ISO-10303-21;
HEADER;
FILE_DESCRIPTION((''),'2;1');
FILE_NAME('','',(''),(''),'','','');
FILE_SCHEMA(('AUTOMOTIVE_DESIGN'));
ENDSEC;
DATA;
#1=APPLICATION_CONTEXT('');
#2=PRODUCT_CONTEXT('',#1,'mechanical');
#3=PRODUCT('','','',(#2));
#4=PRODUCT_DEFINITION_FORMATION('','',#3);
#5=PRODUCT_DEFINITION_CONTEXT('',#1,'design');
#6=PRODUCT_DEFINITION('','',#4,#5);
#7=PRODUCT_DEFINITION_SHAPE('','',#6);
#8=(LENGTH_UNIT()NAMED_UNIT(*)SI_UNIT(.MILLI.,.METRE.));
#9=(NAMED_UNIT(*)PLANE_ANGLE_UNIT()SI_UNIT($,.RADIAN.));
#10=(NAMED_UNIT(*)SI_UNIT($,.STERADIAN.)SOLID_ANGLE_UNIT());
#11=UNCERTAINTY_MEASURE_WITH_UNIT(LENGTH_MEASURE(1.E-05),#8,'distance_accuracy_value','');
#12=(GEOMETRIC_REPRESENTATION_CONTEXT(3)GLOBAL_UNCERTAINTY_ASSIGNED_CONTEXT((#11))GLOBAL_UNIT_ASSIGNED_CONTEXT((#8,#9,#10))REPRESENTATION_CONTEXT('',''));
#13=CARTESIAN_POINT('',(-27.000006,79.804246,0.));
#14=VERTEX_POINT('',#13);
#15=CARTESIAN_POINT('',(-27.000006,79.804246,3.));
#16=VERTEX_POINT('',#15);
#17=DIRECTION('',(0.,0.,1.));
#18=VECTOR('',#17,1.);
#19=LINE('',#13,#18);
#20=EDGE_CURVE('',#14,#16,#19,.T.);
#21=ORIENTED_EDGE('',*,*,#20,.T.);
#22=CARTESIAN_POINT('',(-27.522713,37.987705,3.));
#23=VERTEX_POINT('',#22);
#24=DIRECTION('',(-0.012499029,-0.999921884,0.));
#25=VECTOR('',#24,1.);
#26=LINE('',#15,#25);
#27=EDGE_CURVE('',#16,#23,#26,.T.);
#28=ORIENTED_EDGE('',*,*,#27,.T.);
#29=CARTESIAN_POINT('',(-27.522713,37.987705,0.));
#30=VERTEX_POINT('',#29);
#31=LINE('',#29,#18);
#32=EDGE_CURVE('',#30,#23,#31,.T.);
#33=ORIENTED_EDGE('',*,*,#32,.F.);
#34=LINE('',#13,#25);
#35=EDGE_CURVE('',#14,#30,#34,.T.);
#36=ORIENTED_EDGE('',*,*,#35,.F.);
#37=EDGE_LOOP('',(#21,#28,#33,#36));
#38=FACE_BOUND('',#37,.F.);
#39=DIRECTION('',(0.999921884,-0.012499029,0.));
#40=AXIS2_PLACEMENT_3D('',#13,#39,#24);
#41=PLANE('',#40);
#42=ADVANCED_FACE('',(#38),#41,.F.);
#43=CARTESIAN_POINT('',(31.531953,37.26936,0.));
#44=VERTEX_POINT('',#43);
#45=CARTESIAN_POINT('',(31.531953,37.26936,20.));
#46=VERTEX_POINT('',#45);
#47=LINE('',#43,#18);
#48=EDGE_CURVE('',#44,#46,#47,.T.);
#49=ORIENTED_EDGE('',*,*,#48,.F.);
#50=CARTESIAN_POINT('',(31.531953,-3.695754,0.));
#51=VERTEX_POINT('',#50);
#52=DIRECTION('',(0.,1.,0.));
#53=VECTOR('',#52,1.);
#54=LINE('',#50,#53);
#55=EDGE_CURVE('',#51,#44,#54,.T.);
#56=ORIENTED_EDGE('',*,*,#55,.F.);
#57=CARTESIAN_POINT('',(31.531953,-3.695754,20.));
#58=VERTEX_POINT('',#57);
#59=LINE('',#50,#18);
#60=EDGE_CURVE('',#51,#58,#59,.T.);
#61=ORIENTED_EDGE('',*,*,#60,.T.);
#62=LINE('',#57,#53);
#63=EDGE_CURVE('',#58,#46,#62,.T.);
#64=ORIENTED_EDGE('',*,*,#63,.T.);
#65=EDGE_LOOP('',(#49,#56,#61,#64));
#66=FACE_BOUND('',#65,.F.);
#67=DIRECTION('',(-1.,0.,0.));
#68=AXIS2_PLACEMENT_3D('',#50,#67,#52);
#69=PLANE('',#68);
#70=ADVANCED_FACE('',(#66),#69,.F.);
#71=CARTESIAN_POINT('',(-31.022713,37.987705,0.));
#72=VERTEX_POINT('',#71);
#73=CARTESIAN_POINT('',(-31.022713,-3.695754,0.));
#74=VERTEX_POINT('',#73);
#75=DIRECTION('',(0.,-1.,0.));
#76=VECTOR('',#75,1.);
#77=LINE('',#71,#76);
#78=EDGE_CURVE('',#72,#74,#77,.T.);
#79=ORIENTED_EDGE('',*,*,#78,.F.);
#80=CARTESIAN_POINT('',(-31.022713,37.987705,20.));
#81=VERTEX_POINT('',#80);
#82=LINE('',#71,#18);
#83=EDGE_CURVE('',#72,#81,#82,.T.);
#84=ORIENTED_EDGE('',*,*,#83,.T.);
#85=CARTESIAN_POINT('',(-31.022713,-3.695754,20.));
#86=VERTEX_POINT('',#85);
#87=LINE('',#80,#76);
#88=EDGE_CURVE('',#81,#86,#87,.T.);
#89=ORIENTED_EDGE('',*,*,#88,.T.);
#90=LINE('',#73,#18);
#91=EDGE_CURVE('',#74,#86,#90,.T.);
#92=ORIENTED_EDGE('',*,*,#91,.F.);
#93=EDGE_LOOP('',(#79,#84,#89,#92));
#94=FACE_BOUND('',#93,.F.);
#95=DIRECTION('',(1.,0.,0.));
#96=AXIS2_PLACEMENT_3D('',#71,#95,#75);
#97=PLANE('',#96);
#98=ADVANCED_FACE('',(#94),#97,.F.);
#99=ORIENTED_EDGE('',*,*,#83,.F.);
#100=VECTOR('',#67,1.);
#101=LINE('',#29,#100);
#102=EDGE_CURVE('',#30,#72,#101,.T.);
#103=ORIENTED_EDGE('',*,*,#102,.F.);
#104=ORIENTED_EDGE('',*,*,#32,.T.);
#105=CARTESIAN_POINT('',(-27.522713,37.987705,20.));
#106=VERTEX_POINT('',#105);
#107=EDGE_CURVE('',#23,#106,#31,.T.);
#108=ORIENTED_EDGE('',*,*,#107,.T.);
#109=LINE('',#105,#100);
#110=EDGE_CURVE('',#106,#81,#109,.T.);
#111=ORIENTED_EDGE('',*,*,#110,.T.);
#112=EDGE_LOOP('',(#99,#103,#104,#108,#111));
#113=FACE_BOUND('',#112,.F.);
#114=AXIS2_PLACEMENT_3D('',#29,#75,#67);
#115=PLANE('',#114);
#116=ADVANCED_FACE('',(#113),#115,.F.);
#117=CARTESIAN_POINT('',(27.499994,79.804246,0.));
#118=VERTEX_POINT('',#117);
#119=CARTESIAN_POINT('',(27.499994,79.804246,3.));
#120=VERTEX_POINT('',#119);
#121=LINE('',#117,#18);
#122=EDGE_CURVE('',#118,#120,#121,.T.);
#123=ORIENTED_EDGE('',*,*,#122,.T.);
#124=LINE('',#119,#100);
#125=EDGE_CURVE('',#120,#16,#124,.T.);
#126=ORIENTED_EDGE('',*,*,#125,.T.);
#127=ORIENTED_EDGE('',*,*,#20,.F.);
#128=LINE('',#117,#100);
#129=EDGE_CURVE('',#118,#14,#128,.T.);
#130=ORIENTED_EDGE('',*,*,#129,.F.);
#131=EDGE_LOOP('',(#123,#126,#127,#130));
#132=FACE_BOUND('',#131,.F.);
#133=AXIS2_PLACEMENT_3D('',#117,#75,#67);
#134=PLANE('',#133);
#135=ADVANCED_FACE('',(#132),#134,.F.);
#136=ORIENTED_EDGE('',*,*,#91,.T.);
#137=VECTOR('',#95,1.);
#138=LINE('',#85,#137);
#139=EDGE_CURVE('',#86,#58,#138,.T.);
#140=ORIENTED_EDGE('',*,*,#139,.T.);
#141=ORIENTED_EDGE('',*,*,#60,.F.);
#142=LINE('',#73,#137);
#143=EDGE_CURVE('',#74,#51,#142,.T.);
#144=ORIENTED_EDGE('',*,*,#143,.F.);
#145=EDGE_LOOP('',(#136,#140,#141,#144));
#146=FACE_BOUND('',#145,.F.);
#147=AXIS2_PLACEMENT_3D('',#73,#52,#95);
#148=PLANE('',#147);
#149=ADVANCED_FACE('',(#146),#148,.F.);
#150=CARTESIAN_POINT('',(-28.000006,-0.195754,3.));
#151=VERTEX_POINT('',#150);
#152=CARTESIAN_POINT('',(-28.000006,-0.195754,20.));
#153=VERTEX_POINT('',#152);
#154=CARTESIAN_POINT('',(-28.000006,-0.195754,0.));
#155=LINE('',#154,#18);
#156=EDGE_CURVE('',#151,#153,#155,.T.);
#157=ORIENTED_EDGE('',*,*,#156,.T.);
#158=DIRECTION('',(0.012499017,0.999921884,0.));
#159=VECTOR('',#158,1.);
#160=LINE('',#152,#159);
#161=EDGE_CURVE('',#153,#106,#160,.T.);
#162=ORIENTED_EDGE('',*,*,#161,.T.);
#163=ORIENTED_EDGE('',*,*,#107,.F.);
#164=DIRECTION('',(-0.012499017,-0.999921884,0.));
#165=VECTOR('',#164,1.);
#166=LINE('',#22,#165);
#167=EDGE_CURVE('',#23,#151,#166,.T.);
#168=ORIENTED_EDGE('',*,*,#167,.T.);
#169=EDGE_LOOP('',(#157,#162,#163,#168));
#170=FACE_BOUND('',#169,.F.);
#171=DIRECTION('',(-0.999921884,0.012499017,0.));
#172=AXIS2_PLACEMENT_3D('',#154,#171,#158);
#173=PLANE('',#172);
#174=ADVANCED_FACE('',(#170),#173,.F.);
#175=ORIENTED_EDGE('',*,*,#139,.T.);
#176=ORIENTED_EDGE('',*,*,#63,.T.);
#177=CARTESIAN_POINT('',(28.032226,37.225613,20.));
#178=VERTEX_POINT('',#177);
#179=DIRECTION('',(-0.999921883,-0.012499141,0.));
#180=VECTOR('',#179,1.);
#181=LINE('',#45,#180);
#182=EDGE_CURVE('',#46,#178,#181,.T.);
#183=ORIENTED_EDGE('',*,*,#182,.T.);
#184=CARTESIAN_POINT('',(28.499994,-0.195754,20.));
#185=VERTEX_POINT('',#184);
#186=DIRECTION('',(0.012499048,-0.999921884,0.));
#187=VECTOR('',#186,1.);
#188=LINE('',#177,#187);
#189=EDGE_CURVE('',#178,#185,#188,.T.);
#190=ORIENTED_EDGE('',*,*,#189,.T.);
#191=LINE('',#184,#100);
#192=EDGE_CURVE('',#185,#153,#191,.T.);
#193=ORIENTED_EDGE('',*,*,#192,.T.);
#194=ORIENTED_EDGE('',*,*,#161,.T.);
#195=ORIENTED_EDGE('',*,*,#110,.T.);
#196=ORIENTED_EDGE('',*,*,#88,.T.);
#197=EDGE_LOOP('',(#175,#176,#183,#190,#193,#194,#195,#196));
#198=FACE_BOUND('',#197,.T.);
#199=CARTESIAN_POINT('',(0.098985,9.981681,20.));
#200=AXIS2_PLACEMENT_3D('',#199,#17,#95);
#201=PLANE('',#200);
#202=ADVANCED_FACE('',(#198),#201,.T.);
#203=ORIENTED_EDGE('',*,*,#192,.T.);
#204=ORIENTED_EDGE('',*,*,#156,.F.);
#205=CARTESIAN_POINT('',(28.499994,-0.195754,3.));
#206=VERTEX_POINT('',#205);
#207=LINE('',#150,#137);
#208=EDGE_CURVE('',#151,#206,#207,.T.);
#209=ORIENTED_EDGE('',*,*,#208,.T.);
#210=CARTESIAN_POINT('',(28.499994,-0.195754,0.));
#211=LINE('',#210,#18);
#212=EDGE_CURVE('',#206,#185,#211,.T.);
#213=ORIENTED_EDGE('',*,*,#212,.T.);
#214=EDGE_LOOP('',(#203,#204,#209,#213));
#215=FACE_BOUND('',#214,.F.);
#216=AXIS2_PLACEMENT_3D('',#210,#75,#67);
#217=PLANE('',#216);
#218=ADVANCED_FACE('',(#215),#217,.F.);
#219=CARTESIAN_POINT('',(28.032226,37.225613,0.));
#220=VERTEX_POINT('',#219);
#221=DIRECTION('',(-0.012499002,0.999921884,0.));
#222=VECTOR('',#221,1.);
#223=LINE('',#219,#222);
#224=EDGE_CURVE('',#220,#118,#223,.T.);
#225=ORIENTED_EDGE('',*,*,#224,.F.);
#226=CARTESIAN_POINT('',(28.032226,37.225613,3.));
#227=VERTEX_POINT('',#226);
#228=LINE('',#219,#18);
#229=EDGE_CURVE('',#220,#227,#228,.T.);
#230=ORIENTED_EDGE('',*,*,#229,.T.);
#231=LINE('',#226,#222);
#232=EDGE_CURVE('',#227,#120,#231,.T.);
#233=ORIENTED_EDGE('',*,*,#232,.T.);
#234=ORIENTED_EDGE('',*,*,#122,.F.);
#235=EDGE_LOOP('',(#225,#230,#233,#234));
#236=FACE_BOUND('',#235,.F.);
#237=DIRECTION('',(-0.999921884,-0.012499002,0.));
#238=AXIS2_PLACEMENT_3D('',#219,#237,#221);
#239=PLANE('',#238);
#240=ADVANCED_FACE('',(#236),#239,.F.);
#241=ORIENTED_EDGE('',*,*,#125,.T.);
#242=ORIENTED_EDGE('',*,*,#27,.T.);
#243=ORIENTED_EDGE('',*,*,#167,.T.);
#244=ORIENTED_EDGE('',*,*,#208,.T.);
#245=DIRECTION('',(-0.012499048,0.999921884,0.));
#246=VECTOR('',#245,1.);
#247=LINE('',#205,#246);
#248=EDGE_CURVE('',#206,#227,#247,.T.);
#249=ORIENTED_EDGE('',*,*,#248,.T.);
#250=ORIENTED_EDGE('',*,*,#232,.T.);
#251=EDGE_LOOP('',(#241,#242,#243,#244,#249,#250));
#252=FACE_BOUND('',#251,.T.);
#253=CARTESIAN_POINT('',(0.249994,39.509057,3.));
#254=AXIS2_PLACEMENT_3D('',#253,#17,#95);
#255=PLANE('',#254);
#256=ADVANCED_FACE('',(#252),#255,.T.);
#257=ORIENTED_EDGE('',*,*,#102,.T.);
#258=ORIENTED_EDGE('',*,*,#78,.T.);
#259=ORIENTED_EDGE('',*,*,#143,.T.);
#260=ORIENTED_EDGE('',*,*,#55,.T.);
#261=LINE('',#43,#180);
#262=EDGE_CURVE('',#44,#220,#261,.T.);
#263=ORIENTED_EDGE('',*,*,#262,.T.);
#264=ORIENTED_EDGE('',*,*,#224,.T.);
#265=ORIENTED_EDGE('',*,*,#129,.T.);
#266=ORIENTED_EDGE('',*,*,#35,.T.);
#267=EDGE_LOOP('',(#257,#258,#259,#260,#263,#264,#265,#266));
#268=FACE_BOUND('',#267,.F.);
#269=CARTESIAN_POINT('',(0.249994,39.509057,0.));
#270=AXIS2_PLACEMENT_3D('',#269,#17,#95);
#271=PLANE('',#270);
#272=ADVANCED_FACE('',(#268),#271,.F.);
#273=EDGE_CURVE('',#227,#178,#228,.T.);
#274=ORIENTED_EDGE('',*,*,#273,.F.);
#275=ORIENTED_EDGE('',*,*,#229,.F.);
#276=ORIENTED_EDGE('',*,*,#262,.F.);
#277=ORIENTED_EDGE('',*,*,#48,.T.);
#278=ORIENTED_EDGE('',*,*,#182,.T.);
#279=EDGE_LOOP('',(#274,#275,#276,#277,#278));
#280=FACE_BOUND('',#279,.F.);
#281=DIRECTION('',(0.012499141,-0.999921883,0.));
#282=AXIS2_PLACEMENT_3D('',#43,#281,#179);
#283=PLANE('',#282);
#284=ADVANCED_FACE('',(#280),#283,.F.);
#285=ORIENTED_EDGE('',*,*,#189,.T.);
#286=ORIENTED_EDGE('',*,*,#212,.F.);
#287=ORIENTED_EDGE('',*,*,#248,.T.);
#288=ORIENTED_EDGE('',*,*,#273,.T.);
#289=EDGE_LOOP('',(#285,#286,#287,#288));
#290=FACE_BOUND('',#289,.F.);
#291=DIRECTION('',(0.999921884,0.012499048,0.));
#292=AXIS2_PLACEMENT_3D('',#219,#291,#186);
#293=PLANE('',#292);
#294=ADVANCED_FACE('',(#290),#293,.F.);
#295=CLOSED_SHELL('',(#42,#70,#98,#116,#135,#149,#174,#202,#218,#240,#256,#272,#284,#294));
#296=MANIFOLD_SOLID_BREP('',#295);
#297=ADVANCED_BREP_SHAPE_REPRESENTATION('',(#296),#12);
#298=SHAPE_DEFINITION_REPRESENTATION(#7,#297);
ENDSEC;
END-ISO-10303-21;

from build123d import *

# Parameters (mm, degrees)
F1_DEPTH = 20
F2_DEPTH = 3


with BuildPart() as f1:
    # F0 (on Top) → F1 (new body)
    with BuildSketch(Plane.XY):
        Polygon((-28.000006, -0.195754), (-27.522713, 37.987705), (-31.022713, 37.987705), (-31.022713, -3.695754), (31.531953, -3.695754), (31.531953, 37.26936), (28.032226, 37.225613), (28.499994, -0.195754), align=None)
    extrude(amount=F1_DEPTH)

    # F0 (on Top) → F2 (join)
    with BuildSketch(Plane.XY):
        Polygon((27.499994, 79.804246), (-27.000006, 79.804246), (-27.522713, 37.987705), (-28.000006, -0.195754), (28.499994, -0.195754), (28.032226, 37.225613), align=None)
    extrude(amount=F2_DEPTH)


solid = f1.part
